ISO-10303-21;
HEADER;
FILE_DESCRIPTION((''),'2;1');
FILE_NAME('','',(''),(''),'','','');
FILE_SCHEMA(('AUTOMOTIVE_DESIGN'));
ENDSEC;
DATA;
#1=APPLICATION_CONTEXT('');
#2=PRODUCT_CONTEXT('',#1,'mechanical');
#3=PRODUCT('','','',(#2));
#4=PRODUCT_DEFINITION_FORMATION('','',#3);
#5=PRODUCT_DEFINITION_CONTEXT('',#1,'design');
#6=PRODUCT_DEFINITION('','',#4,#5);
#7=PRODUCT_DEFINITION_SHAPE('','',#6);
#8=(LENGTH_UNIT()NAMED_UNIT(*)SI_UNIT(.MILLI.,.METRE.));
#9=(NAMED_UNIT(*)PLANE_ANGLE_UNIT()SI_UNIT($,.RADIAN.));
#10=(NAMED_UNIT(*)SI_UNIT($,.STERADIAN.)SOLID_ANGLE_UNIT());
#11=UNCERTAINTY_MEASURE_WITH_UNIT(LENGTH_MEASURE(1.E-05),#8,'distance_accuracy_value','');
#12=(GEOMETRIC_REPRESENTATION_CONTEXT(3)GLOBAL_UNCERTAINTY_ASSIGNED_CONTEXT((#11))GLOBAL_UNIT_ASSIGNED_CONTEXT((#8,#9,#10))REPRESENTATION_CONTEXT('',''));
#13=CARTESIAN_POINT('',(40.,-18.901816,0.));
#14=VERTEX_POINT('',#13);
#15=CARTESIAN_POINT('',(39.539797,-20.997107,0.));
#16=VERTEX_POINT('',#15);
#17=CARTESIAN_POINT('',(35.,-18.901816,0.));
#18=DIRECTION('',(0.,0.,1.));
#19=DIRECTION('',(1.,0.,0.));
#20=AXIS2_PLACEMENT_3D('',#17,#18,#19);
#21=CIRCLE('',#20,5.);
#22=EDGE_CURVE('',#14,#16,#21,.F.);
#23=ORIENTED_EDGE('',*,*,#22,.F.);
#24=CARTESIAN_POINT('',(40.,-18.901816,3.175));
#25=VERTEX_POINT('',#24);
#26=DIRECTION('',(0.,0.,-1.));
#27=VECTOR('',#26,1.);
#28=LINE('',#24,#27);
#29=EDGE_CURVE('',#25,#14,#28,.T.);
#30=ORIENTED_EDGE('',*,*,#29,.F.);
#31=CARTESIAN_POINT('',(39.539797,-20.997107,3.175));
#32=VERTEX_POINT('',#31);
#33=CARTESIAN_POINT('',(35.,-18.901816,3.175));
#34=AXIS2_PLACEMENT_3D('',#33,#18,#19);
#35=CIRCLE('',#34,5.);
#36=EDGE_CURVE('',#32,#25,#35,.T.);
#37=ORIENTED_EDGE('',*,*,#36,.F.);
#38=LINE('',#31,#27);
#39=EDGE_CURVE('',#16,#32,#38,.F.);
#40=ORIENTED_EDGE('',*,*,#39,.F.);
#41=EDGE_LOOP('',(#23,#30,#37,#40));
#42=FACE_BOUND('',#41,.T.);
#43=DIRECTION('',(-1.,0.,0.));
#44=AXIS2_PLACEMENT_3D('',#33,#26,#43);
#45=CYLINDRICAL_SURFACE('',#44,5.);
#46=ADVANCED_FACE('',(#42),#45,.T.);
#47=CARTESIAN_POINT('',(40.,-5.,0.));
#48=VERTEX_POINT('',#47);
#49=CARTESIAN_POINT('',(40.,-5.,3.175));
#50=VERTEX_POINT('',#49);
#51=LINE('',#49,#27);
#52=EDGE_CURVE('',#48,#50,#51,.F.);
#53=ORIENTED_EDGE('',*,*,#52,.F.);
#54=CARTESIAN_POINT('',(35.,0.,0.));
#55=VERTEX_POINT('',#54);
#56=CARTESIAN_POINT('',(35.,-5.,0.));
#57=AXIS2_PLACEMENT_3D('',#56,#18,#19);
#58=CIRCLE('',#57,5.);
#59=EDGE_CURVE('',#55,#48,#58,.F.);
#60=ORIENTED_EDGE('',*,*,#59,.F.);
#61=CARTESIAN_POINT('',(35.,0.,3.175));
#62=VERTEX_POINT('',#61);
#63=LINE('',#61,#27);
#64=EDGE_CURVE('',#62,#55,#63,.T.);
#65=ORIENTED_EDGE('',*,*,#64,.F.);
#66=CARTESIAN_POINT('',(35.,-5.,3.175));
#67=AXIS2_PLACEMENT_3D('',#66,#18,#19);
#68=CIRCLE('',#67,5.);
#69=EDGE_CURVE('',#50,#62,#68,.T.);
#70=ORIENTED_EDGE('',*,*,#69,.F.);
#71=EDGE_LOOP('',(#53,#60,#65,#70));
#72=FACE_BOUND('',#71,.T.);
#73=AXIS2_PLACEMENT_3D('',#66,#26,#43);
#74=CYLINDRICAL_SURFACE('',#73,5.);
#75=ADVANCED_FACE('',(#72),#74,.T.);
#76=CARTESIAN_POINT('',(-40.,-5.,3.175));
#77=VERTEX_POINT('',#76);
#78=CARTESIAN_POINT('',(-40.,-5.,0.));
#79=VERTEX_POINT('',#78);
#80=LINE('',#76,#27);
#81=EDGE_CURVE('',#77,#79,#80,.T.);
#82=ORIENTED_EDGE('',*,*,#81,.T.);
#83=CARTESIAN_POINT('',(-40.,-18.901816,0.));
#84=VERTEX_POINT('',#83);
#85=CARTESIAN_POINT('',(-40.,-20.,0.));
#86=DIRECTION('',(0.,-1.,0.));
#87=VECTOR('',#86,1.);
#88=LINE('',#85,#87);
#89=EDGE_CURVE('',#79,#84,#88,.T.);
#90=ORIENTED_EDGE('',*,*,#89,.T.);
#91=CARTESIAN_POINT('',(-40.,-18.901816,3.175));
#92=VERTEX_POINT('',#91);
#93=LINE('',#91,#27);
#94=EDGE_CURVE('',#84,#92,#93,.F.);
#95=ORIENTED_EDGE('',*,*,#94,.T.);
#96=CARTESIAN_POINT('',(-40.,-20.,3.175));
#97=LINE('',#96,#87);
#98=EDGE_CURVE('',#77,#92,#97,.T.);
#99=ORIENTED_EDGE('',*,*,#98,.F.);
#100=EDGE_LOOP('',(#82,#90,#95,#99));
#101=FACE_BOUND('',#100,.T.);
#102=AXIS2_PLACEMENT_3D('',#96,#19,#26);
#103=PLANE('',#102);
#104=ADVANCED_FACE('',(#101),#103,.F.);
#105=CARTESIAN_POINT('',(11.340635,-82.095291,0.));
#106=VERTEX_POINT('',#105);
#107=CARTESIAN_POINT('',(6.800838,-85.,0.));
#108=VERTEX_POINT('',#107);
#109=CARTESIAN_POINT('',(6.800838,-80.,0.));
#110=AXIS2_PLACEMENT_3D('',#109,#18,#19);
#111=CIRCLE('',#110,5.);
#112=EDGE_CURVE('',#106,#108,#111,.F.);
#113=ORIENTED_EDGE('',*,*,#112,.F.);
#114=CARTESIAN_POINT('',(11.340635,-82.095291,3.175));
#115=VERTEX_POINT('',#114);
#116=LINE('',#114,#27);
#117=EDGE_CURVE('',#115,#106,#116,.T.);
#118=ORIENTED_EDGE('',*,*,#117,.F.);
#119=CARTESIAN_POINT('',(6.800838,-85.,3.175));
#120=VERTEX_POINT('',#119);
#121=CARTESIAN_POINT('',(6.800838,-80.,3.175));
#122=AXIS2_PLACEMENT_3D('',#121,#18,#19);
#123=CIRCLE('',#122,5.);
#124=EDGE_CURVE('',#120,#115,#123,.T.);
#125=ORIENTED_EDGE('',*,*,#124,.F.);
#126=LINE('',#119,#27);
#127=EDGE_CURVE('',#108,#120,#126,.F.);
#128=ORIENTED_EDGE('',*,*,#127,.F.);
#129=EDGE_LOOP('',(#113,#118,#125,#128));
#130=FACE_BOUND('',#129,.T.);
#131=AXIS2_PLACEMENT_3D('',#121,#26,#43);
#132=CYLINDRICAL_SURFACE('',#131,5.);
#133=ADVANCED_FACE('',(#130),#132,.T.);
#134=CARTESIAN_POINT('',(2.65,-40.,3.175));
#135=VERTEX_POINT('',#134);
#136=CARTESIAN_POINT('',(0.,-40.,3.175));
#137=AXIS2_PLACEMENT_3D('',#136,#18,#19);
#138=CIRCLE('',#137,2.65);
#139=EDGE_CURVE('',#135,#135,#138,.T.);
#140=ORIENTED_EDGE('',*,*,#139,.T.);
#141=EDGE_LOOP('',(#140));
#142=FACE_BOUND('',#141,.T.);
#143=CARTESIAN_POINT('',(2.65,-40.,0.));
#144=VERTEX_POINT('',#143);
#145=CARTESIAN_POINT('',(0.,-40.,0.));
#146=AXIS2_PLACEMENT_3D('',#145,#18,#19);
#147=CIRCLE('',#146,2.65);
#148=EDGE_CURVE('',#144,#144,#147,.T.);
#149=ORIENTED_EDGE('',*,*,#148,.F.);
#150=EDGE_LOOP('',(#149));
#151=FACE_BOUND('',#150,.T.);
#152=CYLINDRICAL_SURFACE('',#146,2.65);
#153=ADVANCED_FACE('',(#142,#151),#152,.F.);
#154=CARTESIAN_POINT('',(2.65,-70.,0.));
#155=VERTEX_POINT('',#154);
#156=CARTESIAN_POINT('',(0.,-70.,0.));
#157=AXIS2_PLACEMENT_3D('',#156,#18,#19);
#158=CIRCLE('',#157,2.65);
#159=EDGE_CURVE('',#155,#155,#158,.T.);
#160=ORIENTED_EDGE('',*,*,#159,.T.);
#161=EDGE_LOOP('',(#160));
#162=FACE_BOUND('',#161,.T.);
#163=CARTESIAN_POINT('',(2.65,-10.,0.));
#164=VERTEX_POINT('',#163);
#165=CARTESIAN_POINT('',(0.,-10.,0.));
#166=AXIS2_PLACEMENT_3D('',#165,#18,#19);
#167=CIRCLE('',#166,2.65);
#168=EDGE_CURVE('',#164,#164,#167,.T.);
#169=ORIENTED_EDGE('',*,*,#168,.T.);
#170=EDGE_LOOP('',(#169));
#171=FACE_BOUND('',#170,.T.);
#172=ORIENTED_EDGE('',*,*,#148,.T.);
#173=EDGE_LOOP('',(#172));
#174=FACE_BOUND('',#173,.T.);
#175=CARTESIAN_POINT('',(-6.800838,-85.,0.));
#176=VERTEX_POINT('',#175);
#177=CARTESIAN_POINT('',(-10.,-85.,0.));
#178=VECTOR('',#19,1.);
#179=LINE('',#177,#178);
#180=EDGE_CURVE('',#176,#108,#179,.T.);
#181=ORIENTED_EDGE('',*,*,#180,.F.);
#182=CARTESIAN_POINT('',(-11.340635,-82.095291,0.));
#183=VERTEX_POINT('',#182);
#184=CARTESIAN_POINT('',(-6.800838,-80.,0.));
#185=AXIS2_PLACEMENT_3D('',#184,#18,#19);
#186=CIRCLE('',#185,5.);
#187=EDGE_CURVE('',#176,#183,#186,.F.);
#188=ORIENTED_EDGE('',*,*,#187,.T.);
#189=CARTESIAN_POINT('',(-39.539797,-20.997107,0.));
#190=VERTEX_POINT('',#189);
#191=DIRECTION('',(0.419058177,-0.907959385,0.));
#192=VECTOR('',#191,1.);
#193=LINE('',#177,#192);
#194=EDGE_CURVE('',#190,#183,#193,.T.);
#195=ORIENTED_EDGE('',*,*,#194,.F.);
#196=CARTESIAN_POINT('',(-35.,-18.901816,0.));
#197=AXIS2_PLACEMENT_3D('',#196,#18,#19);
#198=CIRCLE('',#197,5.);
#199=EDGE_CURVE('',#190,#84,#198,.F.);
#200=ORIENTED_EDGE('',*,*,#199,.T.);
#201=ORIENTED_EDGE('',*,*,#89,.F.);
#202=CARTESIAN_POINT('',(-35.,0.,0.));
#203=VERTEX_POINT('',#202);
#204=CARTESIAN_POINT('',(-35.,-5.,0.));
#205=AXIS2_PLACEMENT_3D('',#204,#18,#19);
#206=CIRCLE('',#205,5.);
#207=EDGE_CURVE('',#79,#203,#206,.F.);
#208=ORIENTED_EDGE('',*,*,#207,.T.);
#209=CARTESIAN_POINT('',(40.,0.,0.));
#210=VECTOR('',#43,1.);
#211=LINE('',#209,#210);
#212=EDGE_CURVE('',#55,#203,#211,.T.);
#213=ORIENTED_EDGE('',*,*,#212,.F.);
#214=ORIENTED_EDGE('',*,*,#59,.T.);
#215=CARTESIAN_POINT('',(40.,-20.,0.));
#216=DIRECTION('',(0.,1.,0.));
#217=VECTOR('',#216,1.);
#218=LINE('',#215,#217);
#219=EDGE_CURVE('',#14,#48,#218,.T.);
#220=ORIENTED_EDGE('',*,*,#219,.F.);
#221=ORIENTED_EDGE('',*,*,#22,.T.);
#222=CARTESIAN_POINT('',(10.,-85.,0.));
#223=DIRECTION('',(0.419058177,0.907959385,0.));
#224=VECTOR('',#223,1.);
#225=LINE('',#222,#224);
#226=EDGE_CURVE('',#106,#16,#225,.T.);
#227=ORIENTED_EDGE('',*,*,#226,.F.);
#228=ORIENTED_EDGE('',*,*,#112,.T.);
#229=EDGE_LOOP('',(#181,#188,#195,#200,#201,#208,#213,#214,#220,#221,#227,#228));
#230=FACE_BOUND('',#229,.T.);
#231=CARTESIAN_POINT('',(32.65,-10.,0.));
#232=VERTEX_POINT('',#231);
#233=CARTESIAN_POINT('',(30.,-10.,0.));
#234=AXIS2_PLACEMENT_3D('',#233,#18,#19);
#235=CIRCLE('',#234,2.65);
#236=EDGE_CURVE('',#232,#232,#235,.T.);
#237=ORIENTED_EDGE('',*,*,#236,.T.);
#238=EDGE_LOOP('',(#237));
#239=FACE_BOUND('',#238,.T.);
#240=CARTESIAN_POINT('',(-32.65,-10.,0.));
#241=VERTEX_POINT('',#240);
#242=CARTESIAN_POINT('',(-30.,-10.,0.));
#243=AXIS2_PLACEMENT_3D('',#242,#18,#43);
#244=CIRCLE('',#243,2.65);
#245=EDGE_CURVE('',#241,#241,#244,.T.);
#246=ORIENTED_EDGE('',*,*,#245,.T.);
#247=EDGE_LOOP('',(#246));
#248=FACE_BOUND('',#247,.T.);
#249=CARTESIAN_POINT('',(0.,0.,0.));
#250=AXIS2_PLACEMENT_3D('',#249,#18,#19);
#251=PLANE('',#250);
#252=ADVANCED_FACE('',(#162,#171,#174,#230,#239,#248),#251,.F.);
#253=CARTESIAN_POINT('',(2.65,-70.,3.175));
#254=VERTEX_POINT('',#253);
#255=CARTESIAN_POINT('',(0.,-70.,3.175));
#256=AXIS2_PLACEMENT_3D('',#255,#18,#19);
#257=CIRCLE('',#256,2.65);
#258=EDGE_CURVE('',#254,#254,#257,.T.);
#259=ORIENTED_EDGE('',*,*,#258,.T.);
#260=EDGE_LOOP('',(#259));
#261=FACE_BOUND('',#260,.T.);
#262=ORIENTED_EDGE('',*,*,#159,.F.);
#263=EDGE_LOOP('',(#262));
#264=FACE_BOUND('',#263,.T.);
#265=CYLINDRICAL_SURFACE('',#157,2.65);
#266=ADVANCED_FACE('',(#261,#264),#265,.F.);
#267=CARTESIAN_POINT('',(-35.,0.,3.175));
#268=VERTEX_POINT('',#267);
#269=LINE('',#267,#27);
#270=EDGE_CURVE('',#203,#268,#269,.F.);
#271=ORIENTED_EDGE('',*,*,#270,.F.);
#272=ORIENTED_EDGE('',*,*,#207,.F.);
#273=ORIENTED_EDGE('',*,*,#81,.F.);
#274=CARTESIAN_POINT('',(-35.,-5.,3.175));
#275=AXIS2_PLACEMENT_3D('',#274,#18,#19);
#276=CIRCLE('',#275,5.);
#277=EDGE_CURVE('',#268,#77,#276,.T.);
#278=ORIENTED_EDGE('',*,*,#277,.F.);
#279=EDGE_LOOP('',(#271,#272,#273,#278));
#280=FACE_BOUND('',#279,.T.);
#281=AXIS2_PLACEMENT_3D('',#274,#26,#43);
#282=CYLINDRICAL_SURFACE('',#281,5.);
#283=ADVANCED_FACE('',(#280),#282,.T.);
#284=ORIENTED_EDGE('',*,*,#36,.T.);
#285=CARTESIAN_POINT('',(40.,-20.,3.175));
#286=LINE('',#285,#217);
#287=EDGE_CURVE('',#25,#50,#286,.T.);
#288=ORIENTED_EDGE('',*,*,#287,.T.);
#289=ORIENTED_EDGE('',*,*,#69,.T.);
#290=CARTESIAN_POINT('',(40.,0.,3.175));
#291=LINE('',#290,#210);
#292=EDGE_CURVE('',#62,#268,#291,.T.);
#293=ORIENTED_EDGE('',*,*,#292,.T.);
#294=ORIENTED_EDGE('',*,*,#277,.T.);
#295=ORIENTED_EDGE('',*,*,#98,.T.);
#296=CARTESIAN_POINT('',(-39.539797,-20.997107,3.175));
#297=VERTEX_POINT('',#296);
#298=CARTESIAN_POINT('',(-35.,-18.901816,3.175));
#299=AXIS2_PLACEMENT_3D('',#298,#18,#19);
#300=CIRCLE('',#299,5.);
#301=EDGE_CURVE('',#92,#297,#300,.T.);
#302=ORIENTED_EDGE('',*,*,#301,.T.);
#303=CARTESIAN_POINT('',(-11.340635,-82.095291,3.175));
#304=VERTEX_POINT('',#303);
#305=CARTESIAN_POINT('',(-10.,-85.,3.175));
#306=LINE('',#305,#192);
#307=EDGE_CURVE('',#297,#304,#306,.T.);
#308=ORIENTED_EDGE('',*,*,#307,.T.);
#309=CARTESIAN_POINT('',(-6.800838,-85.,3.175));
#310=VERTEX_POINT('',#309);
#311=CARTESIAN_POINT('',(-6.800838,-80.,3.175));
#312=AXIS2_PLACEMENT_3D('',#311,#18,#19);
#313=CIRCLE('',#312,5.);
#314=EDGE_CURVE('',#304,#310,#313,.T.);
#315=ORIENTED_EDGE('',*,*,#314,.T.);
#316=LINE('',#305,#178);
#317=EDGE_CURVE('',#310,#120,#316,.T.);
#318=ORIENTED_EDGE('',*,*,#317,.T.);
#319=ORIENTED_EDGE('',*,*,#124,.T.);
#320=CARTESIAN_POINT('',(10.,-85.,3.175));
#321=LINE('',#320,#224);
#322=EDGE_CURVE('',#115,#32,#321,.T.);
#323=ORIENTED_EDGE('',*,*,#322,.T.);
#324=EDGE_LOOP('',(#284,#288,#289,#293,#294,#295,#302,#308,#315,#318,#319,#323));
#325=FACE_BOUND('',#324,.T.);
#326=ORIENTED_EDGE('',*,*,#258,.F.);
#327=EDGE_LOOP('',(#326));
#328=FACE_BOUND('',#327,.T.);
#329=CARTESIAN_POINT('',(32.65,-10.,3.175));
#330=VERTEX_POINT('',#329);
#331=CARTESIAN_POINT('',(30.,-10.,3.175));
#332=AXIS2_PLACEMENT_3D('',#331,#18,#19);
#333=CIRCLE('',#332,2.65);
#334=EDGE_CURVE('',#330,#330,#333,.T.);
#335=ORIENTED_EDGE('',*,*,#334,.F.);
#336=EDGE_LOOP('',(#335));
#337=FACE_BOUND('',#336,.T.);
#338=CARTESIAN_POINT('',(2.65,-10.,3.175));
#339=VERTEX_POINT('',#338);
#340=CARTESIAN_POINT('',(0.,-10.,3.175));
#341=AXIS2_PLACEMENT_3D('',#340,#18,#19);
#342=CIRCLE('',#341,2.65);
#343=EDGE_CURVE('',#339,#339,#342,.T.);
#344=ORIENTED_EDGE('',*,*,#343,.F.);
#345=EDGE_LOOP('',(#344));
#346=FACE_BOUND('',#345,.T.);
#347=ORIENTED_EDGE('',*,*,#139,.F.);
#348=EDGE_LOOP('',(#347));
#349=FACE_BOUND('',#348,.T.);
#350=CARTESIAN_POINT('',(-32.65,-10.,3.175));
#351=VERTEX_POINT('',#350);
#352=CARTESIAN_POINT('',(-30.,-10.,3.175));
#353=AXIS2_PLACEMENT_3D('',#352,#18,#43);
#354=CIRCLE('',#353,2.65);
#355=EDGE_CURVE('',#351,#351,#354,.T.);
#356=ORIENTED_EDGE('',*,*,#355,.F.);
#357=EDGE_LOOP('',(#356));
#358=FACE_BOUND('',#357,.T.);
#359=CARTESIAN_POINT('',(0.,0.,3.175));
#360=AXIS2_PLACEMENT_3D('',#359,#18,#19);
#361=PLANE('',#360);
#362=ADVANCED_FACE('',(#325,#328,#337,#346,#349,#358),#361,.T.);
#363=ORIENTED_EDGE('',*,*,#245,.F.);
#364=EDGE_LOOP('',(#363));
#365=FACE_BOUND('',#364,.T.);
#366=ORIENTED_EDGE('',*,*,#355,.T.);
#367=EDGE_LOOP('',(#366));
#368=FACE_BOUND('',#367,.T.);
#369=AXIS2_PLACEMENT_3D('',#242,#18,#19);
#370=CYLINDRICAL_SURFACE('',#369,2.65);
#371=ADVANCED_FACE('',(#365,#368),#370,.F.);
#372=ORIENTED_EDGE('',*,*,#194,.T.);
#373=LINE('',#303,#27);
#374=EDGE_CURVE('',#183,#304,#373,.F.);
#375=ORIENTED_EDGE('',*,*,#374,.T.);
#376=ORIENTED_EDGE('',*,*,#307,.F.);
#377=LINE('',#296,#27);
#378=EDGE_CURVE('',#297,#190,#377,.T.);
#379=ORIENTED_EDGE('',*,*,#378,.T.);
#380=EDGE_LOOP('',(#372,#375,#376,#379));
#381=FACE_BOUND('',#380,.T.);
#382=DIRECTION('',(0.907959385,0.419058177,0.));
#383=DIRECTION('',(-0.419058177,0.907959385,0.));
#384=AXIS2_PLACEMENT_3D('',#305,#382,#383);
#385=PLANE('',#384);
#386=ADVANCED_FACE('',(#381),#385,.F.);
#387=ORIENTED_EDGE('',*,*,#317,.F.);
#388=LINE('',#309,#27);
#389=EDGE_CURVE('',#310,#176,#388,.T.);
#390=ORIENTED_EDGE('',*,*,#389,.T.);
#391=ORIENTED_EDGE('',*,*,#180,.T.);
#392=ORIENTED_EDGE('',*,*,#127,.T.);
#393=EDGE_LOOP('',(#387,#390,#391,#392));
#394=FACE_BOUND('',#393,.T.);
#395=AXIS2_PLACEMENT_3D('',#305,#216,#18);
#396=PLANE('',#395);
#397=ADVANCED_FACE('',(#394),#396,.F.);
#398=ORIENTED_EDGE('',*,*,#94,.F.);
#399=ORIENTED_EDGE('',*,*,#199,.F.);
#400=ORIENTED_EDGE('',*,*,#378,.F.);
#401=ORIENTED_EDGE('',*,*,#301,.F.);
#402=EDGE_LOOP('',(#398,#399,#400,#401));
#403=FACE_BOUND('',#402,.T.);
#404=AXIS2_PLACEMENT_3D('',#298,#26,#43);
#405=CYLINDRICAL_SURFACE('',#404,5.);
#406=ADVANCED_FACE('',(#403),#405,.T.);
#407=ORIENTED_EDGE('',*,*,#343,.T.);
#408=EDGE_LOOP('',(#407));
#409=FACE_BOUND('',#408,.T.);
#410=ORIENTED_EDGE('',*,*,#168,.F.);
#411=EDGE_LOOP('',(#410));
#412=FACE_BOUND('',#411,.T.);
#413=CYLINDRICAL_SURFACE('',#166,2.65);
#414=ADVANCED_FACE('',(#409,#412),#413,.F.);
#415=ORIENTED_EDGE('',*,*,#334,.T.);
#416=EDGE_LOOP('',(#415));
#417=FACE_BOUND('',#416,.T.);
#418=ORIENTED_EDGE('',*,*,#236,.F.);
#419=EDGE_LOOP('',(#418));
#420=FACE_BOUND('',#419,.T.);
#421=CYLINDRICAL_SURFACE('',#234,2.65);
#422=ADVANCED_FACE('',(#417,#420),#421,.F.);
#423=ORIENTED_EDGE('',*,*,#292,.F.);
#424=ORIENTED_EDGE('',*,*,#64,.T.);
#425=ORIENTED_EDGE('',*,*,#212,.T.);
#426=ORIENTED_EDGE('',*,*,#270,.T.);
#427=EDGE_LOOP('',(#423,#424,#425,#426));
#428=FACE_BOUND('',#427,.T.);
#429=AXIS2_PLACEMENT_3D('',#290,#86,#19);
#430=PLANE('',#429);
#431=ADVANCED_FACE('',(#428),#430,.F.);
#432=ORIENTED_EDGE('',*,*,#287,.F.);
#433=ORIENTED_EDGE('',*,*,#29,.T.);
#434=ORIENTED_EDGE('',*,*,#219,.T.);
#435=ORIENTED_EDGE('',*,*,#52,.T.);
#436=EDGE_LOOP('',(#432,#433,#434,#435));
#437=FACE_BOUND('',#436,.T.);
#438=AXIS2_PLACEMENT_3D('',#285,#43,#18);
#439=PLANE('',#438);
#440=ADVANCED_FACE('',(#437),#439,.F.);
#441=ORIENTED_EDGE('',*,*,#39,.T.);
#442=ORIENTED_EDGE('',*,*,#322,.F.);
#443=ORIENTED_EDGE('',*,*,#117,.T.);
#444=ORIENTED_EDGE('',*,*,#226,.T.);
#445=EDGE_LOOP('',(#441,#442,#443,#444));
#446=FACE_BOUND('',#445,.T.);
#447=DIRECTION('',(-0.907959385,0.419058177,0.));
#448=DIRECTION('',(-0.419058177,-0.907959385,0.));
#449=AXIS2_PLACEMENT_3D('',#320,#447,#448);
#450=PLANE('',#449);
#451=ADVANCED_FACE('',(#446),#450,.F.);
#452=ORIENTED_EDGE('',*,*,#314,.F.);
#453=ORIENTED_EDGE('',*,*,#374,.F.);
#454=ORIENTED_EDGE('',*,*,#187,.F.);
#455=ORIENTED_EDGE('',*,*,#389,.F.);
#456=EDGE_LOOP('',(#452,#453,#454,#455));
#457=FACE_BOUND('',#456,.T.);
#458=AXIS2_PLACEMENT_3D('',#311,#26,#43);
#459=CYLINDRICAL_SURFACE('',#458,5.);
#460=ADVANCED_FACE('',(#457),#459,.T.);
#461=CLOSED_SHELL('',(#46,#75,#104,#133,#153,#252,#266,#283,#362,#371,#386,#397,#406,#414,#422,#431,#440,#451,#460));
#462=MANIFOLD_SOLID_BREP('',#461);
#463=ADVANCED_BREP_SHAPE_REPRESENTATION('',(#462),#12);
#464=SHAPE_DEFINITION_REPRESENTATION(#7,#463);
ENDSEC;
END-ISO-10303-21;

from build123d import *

# Parameters (mm, degrees)
BOSS_EXTRUDE1_DEPTH = 3.175
SKETCH2_R           = 2.65
CUT_EXTRUDE1_DEPTH  = 94.99510958
FILLET1_R           = 5


with BuildPart() as part:
    # Sketch1 → Boss-Extrude1 (new body)
    with BuildSketch(Plane.XY):
        Polygon((-10, -85), (10, -85), (40, -20), (40, 0), (-40, 0), (-40, -20), align=None)
    extrude(amount=BOSS_EXTRUDE1_DEPTH)

    # Sketch2 → Cut-Extrude1 (cut, through all)
    with BuildSketch(Plane.XY.offset(3.175)):
        with Locations((0, -10)):
            Circle(SKETCH2_R)
        with Locations((30, -10)):
            Circle(SKETCH2_R)
        with Locations((0, -40)):
            Circle(SKETCH2_R)
        with Locations((0, -70)):
            Circle(SKETCH2_R)
        with Locations(Location((-30, -10, 0), (0, 0, 180))):
            Circle(SKETCH2_R)
    extrude(amount=-CUT_EXTRUDE1_DEPTH, mode=Mode.SUBTRACT)

    # Fillet1
    fillet1_edges = [part.edges().sort_by_distance(p)[0] for p in [
        (-40, -20, 1.5875),
        (-40, 0, 1.5875),
        (40, 0, 1.5875),
        (40, -20, 1.5875),
        (10, -85, 1.5875),
        (-10, -85, 1.5875),
    ]]
    fillet(fillet1_edges, radius=FILLET1_R)


solid = part.part
